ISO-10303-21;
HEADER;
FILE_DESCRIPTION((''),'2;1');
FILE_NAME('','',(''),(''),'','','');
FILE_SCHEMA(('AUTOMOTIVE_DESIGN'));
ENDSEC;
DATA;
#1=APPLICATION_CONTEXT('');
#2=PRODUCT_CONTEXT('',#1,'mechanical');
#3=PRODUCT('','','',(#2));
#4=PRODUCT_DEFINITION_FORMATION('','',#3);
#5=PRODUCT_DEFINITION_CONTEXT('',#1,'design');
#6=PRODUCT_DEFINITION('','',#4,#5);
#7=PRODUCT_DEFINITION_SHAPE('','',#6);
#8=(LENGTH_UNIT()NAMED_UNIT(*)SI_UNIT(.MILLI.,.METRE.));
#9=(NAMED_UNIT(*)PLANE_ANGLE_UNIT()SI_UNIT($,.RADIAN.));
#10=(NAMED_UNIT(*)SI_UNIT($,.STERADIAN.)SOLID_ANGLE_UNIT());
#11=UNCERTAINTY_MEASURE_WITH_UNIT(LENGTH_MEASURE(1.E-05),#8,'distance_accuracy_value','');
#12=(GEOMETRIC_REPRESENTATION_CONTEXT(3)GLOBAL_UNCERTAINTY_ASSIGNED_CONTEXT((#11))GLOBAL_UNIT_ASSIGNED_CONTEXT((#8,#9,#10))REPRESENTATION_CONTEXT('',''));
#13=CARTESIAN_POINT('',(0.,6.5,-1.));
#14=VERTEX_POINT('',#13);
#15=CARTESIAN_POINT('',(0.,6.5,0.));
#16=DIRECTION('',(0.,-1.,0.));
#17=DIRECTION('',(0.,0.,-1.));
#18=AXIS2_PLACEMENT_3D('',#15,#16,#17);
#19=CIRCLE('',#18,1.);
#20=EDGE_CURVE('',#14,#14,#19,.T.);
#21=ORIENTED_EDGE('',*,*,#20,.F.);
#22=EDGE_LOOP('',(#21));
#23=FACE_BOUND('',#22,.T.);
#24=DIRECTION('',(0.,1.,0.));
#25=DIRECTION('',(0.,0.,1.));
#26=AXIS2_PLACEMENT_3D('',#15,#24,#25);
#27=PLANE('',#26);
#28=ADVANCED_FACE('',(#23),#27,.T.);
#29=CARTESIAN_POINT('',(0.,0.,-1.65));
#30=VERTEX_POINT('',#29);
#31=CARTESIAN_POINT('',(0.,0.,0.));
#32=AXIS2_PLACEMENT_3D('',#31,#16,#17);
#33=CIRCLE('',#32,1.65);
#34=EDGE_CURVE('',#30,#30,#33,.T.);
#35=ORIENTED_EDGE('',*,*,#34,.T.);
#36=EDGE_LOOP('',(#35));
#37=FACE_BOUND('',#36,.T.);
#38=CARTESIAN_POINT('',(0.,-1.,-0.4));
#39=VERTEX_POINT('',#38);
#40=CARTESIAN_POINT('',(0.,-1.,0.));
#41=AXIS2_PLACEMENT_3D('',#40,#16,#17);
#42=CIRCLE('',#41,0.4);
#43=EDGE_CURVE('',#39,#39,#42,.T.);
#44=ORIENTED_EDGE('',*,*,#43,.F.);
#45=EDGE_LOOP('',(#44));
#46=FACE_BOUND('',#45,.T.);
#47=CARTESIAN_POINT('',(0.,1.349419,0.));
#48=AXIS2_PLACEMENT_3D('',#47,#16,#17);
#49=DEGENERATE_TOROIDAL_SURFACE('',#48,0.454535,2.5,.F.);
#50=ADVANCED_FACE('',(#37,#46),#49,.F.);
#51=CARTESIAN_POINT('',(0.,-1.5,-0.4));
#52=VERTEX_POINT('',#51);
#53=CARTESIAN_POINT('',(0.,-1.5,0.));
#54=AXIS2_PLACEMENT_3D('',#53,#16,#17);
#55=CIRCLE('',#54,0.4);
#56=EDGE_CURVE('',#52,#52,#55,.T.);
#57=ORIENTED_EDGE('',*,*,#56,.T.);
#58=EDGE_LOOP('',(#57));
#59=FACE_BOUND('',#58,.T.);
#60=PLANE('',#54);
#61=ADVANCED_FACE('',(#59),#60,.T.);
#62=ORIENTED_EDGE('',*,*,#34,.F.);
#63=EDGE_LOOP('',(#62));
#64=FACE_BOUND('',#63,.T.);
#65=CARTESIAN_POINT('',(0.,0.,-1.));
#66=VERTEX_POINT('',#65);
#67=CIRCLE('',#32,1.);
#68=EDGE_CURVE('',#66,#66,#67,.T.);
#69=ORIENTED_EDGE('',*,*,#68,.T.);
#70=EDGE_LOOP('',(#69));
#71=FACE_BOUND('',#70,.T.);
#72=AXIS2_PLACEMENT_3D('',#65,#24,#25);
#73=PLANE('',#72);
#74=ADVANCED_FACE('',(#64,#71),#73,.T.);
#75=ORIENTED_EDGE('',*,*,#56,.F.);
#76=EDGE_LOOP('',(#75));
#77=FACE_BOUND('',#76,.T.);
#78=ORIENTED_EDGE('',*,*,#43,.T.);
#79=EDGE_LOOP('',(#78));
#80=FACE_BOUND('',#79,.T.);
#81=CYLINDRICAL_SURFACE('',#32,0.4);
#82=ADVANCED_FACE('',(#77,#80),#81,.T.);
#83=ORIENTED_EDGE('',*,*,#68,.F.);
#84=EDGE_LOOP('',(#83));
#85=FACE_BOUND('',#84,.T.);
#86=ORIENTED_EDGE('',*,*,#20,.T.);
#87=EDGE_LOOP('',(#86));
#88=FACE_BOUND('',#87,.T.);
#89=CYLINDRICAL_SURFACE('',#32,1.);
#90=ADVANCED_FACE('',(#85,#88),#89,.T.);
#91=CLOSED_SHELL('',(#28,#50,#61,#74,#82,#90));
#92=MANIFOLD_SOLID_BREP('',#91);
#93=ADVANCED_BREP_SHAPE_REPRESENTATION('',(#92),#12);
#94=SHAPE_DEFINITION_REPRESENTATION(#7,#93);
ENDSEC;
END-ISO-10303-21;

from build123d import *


with BuildPart() as part:
    # Sketch1 → Revolve1 (revolve)
    with BuildSketch(Plane(origin=(0, 0, 0), x_dir=(0, 0, -1), z_dir=(1, 0, 0))):
        with BuildLine():
            Line((0, 6.5), (0, -1.5))
            Line((0, -1.5), (0.4, -1.5))
            Line((0.4, -1.5), (0.4, -1))
            ThreePointArc((0.4, -1), (1.107202425, -0.602753031), (1.65, 0))
            Line((1.65, 0), (1, 0))
            Line((1, 0), (1, 6.5))
            Line((1, 6.5), (0, 6.5))
        make_face()
    revolve(axis=Axis((0, 0, 0), (0, 1, 0)))


solid = part.part
